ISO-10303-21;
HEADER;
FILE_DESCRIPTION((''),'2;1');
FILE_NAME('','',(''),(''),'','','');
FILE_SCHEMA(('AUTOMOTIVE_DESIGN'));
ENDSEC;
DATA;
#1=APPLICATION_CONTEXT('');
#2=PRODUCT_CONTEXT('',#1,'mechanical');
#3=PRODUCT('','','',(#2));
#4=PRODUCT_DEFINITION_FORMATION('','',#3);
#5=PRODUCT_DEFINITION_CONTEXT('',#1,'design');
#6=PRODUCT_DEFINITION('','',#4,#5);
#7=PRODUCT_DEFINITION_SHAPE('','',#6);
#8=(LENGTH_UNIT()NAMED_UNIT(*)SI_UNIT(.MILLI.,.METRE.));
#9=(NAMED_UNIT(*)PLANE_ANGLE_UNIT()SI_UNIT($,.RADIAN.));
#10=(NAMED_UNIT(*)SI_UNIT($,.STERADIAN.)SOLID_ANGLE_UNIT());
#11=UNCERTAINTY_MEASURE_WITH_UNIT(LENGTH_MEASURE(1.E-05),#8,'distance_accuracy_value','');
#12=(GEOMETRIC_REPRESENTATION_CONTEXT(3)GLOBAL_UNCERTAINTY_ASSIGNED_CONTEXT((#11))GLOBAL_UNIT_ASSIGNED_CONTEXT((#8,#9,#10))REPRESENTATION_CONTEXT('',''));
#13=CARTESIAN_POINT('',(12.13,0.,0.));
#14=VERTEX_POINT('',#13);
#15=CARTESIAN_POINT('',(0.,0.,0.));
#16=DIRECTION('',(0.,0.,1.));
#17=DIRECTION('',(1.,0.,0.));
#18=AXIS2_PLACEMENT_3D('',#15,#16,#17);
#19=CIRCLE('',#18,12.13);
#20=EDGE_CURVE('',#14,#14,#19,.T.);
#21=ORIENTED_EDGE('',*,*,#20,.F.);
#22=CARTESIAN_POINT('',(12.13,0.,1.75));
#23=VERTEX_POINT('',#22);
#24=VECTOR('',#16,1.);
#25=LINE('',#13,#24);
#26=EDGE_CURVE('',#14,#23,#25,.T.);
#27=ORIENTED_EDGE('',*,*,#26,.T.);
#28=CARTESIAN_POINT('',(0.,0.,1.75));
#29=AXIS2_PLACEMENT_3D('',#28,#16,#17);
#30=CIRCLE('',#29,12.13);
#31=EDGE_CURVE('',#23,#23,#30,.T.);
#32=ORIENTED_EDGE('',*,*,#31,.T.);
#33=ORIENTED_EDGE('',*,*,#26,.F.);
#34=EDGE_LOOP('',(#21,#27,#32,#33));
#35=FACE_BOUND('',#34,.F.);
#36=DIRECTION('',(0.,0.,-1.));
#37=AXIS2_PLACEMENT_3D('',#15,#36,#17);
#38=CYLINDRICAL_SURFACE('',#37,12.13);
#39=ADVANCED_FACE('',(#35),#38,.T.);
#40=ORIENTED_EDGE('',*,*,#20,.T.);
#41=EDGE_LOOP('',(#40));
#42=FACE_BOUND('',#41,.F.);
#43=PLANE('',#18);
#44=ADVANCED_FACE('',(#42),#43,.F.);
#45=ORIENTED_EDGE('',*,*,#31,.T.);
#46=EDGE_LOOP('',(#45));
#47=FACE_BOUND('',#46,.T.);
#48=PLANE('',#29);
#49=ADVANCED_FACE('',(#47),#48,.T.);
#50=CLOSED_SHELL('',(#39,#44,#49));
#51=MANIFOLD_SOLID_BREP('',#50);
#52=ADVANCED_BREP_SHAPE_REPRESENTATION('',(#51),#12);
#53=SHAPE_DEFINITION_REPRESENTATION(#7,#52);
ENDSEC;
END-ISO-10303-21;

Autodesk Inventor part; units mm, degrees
ref_plane "YZ Plane" through (0, 0, 0) normal (1, 0, 0) x (0, 1, 0)
ref_plane "XZ Plane" through (0, 0, 0) normal (0, 1, 0) x (-1, 0, 0)
ref_plane "XY Plane" through (0, 0, 0) normal (0, 0, 1) x (1, 0, 0)
sketch "Sketch1" plane through (0, 0, 0) normal (0, 0, 1) x (1, 0, 0)
  circle A0 centre (0, 0) radius 12.13
  dimension "d0" = 24.26
extrude "Extrusion1" add sketch "Sketch1" along normal blind 1.75
properties part number "Quarter"
